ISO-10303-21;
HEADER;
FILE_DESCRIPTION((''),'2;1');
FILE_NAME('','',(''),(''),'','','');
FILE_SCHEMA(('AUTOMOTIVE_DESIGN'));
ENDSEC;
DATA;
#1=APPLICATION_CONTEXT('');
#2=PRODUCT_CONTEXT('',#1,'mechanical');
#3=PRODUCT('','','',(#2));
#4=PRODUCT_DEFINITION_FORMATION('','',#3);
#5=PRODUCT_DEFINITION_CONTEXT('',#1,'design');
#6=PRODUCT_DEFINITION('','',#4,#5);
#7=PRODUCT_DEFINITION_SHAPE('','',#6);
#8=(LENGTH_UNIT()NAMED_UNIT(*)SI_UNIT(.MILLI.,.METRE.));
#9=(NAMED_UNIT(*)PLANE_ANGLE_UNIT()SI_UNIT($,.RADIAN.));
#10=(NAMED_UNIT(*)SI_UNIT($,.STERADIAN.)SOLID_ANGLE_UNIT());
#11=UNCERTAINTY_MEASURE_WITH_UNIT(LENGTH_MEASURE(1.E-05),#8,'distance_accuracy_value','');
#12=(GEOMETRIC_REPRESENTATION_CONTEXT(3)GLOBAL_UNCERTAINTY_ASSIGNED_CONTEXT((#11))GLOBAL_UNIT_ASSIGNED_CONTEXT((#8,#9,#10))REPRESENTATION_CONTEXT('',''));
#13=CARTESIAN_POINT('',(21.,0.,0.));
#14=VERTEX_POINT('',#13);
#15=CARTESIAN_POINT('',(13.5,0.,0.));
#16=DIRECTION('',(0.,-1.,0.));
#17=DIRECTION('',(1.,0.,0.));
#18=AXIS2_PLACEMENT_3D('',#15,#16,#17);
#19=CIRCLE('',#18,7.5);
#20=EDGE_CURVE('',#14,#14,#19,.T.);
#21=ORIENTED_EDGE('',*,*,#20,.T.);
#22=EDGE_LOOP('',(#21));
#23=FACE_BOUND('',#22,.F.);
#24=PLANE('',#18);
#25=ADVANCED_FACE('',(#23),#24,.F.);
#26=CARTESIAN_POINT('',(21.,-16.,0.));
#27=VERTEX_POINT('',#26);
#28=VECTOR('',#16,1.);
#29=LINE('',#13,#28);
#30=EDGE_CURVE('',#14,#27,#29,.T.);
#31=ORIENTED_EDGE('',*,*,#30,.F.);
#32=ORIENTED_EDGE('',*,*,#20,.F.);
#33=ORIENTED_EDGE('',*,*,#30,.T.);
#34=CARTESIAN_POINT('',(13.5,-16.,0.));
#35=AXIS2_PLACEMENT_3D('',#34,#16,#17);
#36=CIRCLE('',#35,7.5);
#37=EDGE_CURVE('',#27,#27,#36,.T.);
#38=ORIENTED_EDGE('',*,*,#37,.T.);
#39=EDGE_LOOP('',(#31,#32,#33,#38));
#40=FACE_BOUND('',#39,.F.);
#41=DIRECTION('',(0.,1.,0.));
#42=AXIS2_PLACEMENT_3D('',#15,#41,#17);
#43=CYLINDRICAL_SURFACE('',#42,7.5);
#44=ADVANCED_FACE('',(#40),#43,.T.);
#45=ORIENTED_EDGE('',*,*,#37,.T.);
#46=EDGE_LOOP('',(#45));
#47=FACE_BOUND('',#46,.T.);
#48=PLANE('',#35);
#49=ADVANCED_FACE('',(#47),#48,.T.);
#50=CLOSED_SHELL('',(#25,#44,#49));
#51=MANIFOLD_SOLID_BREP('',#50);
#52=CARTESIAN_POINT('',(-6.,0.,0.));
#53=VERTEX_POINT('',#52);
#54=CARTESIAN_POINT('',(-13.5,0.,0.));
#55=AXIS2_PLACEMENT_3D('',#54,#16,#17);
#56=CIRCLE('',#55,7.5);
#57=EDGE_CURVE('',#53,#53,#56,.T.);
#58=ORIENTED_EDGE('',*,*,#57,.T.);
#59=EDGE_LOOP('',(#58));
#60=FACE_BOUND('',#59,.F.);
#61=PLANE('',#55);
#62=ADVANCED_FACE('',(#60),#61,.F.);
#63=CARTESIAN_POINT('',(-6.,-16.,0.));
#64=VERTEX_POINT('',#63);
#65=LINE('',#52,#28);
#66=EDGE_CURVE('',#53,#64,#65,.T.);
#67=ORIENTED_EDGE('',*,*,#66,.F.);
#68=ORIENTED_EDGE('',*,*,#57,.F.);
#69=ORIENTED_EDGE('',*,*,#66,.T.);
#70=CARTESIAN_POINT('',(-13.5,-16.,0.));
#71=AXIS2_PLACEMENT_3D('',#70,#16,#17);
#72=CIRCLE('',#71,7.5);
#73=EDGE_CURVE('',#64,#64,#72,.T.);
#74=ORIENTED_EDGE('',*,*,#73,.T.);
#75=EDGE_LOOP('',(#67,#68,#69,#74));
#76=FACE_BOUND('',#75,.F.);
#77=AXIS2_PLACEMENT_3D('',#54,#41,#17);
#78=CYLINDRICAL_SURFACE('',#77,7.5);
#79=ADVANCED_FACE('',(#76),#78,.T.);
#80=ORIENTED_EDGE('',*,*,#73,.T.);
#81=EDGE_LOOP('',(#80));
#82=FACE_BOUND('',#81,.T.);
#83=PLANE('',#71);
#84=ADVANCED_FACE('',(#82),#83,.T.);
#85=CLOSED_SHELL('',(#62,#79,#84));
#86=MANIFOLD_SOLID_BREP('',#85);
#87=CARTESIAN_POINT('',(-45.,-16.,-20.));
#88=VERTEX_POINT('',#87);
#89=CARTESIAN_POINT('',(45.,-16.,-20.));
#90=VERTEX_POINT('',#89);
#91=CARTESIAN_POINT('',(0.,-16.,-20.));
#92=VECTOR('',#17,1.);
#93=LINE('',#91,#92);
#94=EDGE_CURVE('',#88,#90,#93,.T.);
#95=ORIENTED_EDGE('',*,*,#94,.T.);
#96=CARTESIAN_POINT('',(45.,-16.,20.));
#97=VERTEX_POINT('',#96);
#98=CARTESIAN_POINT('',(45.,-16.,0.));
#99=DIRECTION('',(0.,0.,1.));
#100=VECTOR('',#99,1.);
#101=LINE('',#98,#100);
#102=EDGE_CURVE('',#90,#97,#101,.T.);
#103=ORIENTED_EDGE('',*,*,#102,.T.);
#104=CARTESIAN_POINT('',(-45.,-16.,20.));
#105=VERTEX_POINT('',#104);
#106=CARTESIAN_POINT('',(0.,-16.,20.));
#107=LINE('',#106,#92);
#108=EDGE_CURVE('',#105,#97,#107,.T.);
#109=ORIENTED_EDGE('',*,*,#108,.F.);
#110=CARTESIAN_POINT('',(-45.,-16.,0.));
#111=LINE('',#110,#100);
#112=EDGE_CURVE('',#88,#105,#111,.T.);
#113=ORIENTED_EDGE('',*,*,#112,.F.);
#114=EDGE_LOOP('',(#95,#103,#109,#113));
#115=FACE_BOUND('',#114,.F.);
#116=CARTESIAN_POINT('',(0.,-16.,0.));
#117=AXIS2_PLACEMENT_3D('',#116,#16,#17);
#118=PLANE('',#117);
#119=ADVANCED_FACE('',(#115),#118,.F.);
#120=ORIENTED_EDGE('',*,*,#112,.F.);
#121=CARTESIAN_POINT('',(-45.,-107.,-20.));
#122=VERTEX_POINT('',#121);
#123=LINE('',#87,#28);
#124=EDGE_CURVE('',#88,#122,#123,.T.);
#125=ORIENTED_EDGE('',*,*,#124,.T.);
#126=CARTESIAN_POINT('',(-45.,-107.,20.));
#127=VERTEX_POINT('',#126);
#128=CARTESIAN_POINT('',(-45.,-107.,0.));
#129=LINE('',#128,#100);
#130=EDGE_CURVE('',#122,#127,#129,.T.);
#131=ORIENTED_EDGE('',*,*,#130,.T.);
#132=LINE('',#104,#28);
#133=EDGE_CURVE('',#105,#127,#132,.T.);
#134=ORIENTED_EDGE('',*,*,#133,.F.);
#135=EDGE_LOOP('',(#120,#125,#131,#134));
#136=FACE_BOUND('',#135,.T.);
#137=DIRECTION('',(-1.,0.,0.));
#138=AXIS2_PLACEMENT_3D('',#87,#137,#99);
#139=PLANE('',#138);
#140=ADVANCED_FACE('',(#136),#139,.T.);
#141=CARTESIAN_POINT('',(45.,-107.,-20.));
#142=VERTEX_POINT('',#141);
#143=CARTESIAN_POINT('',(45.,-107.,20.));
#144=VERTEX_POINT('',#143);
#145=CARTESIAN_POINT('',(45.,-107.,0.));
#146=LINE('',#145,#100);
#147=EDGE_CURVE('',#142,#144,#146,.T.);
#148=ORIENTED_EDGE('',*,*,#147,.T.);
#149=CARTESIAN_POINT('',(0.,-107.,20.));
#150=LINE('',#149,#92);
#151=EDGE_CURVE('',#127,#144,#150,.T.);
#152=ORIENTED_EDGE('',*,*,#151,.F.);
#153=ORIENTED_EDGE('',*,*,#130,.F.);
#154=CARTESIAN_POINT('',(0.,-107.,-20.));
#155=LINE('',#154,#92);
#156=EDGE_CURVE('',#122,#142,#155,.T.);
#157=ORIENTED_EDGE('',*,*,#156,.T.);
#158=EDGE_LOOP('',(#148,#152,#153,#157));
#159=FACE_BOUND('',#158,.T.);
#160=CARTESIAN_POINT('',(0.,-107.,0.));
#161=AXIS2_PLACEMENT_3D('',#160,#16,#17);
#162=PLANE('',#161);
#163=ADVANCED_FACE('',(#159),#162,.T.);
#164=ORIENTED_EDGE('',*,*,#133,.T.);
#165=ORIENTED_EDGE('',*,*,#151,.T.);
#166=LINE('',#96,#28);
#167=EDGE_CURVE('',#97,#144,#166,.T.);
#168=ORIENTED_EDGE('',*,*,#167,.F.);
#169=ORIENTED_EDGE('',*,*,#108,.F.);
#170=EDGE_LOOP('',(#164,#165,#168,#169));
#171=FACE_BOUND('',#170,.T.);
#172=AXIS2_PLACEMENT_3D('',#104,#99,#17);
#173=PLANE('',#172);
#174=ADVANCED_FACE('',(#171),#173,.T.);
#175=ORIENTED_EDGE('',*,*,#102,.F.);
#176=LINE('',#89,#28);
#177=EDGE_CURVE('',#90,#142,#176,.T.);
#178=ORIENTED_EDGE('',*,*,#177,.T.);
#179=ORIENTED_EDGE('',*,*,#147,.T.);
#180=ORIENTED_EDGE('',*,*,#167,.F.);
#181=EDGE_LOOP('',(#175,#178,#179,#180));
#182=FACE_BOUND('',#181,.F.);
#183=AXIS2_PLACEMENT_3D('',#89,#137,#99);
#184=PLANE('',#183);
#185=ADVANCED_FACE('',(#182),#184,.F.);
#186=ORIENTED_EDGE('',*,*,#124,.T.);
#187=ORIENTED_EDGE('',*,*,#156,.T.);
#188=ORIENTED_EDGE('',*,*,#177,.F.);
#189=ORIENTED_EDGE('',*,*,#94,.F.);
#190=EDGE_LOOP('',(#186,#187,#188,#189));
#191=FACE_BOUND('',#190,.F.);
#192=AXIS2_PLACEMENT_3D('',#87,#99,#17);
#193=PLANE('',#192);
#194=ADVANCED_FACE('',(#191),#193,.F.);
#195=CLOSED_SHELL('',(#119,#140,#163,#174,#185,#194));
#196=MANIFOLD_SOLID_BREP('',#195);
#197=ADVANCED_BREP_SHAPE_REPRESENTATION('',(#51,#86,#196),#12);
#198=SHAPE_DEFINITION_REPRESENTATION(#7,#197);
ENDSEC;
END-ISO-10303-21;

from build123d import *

# Parameters (mm, degrees)
F0_R     = 7.5
F1_DEPTH = 16
F2_W     = 90
F2_H     = 40
F3_DEPTH = 91


with BuildPart() as f1:
    # F0 (on Front) → F1 (new body)
    with BuildSketch(Plane.XZ):
        with Locations((-13.5, 0)):
            Circle(F0_R)
        with Locations((13.5, 0)):
            Circle(F0_R)
    extrude(amount=F1_DEPTH)


with BuildPart() as f3:
    # F2 (on face) → F3 (new body)
    with BuildSketch(Plane.XZ.offset(16)):
        Rectangle(F2_W, F2_H)
    extrude(amount=F3_DEPTH)


solid = Compound([f1.part, f3.part])
